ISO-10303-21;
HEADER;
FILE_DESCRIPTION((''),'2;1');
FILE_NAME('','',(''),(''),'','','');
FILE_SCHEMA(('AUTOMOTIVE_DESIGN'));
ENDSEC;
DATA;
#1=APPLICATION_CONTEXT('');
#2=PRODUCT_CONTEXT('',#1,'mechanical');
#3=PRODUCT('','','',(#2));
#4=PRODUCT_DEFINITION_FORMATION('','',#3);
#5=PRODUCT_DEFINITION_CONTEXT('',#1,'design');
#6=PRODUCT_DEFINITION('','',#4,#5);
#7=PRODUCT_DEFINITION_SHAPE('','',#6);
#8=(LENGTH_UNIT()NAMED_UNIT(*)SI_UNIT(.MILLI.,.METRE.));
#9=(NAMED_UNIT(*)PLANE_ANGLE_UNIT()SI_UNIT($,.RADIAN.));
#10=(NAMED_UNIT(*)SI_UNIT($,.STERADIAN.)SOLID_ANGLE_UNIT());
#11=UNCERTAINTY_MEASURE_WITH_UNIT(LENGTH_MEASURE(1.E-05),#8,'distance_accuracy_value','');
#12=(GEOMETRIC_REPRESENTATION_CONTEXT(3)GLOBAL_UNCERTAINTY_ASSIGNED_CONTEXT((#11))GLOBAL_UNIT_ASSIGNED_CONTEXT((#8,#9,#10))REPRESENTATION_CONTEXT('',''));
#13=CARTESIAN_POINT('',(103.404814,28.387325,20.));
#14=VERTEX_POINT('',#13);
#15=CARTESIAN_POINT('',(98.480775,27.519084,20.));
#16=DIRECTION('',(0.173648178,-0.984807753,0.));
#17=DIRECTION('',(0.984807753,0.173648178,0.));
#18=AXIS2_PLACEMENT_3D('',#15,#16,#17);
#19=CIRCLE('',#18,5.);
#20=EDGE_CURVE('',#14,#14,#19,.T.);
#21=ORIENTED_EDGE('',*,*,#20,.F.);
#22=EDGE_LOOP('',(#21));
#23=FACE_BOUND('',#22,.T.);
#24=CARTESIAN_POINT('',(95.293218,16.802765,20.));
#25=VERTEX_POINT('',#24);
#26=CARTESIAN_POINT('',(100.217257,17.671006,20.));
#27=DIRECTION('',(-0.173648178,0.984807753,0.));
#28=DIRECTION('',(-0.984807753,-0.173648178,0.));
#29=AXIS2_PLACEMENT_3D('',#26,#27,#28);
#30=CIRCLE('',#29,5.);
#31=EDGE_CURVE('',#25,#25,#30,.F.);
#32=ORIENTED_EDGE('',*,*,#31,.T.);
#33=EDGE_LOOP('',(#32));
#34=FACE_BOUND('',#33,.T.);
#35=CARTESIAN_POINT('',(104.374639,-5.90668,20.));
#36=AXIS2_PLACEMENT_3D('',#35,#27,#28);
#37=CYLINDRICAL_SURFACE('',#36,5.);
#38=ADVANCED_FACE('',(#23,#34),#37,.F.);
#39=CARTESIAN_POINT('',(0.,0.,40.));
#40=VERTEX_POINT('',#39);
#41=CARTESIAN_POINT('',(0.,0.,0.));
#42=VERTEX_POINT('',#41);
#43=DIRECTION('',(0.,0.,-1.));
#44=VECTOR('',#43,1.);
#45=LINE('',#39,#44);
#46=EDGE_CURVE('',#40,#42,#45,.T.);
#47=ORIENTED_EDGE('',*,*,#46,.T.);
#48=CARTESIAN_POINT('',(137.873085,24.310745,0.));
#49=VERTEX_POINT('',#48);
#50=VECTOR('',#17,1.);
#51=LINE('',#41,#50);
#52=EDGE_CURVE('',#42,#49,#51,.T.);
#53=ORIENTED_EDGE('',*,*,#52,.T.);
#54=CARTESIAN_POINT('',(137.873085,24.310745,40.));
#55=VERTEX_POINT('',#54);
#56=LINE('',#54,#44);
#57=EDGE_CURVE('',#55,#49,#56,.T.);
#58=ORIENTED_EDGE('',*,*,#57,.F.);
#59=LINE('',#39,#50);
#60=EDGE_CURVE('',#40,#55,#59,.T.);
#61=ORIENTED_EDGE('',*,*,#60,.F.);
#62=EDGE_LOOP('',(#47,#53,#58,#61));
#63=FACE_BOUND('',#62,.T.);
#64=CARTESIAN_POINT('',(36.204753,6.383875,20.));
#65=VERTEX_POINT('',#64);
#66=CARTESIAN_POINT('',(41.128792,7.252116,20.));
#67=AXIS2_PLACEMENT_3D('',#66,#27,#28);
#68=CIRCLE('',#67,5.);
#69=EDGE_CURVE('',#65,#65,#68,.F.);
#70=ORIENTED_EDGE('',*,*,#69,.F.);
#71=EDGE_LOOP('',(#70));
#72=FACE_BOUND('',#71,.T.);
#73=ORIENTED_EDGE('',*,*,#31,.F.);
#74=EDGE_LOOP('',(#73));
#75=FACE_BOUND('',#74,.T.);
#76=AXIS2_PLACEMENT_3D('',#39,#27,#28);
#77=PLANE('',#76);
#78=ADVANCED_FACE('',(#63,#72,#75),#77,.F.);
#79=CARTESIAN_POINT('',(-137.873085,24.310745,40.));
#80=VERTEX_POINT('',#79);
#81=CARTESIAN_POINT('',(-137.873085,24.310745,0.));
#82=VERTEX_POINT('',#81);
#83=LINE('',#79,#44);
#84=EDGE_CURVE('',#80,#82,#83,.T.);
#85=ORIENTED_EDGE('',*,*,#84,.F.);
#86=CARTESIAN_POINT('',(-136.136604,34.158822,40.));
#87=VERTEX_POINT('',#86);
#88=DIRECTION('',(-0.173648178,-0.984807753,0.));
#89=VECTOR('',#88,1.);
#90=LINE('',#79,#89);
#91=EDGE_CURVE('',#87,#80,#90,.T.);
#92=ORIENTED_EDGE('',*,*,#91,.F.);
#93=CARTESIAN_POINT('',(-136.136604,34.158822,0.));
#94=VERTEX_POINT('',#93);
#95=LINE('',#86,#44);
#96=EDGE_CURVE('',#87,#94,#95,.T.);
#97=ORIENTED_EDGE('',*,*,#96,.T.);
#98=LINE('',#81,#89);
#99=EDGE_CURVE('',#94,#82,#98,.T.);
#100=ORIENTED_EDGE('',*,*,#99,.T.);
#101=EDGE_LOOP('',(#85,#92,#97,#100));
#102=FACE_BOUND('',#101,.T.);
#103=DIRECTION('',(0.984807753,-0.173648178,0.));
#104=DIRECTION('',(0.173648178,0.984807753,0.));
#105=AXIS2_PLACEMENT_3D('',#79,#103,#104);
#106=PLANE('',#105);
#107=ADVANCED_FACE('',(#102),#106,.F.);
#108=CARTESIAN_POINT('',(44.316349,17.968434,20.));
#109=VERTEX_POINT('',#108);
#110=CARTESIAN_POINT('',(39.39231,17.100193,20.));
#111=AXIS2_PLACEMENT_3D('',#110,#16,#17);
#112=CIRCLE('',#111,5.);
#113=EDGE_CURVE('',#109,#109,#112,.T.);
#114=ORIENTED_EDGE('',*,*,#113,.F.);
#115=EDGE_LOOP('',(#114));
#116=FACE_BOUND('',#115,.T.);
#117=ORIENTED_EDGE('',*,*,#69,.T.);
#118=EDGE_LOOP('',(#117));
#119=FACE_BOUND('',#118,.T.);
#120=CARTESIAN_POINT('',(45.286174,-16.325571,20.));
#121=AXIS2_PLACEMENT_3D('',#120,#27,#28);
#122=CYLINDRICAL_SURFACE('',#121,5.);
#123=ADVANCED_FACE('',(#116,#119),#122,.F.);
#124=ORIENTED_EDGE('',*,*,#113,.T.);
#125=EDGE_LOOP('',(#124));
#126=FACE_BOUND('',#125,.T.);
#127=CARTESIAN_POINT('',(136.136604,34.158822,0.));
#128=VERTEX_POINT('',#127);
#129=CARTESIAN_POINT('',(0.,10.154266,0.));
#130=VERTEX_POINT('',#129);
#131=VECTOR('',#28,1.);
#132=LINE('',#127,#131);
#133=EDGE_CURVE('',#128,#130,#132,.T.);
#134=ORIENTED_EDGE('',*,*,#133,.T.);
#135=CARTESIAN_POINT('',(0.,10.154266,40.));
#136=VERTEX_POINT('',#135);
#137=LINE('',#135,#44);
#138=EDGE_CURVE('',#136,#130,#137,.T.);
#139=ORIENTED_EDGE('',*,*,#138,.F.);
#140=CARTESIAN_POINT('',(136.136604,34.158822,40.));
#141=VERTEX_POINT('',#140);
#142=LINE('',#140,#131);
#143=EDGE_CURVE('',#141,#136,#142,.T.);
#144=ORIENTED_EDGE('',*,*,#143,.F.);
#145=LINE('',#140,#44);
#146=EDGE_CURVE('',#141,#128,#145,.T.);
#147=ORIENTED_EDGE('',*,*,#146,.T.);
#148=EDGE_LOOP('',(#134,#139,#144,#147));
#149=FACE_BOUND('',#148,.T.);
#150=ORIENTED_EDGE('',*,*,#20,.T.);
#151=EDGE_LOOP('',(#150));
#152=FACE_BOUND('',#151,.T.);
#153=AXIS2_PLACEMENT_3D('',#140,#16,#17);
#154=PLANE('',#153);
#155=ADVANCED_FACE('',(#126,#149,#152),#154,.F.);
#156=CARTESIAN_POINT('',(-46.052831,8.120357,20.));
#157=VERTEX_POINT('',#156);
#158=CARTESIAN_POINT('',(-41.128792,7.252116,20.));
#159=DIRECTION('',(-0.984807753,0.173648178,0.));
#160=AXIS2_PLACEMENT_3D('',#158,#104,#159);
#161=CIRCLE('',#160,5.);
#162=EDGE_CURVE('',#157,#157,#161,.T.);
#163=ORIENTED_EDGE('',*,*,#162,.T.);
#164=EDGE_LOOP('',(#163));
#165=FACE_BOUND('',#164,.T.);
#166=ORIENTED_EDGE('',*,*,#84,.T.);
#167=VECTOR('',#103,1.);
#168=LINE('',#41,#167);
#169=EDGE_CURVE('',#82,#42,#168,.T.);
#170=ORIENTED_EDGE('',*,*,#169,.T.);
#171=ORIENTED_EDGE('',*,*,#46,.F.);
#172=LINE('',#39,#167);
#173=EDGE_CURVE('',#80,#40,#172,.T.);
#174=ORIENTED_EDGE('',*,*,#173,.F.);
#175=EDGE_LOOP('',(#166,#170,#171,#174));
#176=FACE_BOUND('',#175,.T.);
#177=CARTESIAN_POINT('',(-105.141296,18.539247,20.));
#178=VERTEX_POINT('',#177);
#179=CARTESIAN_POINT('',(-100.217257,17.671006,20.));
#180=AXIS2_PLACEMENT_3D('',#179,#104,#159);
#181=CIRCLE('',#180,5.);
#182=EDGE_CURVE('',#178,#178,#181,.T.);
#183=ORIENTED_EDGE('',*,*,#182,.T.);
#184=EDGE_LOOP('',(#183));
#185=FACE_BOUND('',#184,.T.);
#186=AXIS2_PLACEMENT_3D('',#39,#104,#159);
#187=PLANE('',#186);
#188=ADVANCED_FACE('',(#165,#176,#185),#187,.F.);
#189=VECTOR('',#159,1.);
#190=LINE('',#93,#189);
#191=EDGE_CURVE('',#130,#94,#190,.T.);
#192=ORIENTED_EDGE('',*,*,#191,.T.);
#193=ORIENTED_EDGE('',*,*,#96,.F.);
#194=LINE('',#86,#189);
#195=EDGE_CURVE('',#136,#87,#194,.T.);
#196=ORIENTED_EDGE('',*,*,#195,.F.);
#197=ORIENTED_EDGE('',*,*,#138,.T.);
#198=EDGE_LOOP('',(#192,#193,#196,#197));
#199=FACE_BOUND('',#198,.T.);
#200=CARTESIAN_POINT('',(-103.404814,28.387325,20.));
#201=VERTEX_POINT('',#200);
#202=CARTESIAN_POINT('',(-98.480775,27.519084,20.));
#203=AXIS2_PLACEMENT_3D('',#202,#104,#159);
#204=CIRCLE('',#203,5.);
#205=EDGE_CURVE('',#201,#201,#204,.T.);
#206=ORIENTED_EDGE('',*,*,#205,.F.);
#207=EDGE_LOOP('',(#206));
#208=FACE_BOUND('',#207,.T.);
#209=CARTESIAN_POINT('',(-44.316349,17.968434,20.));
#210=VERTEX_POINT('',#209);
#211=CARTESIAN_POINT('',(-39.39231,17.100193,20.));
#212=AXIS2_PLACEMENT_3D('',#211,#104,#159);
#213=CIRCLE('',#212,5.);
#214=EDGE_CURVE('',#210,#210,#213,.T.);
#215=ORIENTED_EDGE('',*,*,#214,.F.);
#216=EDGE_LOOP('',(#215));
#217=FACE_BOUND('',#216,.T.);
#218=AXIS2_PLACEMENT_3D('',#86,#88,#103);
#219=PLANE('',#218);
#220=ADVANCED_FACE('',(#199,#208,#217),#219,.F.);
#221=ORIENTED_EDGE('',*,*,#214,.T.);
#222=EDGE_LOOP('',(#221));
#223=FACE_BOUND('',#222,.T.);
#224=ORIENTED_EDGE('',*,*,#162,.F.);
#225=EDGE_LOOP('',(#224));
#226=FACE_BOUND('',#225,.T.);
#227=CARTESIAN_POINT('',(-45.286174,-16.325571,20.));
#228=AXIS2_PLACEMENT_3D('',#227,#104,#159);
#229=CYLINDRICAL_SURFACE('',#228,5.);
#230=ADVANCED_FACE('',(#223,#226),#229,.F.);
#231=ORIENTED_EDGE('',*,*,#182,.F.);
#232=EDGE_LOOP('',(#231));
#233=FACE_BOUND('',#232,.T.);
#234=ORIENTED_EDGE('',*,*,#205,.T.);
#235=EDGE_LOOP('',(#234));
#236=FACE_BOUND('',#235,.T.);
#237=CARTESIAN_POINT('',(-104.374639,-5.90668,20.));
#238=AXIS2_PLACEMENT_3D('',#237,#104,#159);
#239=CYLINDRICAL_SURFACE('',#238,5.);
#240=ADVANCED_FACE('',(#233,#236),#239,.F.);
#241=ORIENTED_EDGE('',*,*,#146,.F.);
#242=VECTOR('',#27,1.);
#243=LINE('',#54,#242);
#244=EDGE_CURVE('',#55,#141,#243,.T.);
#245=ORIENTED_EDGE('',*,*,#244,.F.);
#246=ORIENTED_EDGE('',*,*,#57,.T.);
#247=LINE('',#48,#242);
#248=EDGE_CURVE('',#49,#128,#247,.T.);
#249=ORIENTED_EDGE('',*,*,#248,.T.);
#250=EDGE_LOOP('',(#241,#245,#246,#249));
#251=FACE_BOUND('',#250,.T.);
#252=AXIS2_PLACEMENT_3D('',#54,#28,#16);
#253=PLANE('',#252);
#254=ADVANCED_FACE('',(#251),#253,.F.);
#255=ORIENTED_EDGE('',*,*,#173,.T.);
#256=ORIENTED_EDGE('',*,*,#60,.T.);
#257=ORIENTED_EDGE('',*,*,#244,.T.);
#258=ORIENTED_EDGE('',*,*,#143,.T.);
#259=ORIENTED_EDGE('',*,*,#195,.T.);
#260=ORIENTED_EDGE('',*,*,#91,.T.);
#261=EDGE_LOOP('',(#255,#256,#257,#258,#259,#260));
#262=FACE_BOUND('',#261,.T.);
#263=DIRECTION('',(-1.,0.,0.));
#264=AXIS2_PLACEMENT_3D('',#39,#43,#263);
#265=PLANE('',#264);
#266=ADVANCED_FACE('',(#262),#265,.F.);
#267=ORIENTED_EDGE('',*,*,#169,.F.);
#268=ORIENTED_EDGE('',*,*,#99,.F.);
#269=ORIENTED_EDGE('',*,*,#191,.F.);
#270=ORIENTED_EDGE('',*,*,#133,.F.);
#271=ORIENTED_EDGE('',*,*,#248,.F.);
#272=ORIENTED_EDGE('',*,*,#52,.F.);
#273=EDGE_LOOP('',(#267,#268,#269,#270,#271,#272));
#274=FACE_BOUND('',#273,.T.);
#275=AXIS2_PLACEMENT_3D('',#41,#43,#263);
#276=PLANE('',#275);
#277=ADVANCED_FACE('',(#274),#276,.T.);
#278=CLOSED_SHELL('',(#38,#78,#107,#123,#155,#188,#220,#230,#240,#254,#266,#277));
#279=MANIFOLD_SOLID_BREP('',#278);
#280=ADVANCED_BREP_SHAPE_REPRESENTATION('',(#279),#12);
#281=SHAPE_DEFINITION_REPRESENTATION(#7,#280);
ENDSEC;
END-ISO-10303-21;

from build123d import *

# Parameters (mm, degrees)
EXTRUDE_1_DEPTH     = 40
SKETCH_2_R          = 5
CUT_EXTRUDE_1_DEPTH = 148.24755879


with BuildPart() as part:
    # 草图1 → 凸台-拉伸1 (new body)
    with BuildSketch(Plane.XY):
        Polygon((0, 0), (-137.873085422, 24.310744873), (-136.136603645, 34.158822403), (0, 10.154266119), (136.136603645, 34.158822403), (137.873085422, 24.310744873), align=None)
    extrude(amount=EXTRUDE_1_DEPTH)

    # 草图2 → 切除-拉伸1 (cut, through all)
    with BuildSketch(Plane(origin=(1.736481777, 9.84807753, 0), x_dir=(0.984807753012208, -0.17364817766693144, 0), z_dir=(0.17364817766693144, 0.984807753012208, 0))):
        with Locations(Location((-41.763269807, -20, 0), (0, 0, 180))):
            Circle(SKETCH_2_R)
        with Locations(Location((-101.763269807, -20, 0), (0, 0, 180))):
            Circle(SKETCH_2_R)
    cut_extrude_1 = extrude(amount=-CUT_EXTRUDE_1_DEPTH, mode=Mode.SUBTRACT)

    # 镜向1: 切除-拉伸1 across plane
    add(cut_extrude_1.mirror(Plane(origin=(0, 0, 0), x_dir=(0, 0, 1), z_dir=(1, 0, 0))), mode=Mode.SUBTRACT)


solid = part.part
